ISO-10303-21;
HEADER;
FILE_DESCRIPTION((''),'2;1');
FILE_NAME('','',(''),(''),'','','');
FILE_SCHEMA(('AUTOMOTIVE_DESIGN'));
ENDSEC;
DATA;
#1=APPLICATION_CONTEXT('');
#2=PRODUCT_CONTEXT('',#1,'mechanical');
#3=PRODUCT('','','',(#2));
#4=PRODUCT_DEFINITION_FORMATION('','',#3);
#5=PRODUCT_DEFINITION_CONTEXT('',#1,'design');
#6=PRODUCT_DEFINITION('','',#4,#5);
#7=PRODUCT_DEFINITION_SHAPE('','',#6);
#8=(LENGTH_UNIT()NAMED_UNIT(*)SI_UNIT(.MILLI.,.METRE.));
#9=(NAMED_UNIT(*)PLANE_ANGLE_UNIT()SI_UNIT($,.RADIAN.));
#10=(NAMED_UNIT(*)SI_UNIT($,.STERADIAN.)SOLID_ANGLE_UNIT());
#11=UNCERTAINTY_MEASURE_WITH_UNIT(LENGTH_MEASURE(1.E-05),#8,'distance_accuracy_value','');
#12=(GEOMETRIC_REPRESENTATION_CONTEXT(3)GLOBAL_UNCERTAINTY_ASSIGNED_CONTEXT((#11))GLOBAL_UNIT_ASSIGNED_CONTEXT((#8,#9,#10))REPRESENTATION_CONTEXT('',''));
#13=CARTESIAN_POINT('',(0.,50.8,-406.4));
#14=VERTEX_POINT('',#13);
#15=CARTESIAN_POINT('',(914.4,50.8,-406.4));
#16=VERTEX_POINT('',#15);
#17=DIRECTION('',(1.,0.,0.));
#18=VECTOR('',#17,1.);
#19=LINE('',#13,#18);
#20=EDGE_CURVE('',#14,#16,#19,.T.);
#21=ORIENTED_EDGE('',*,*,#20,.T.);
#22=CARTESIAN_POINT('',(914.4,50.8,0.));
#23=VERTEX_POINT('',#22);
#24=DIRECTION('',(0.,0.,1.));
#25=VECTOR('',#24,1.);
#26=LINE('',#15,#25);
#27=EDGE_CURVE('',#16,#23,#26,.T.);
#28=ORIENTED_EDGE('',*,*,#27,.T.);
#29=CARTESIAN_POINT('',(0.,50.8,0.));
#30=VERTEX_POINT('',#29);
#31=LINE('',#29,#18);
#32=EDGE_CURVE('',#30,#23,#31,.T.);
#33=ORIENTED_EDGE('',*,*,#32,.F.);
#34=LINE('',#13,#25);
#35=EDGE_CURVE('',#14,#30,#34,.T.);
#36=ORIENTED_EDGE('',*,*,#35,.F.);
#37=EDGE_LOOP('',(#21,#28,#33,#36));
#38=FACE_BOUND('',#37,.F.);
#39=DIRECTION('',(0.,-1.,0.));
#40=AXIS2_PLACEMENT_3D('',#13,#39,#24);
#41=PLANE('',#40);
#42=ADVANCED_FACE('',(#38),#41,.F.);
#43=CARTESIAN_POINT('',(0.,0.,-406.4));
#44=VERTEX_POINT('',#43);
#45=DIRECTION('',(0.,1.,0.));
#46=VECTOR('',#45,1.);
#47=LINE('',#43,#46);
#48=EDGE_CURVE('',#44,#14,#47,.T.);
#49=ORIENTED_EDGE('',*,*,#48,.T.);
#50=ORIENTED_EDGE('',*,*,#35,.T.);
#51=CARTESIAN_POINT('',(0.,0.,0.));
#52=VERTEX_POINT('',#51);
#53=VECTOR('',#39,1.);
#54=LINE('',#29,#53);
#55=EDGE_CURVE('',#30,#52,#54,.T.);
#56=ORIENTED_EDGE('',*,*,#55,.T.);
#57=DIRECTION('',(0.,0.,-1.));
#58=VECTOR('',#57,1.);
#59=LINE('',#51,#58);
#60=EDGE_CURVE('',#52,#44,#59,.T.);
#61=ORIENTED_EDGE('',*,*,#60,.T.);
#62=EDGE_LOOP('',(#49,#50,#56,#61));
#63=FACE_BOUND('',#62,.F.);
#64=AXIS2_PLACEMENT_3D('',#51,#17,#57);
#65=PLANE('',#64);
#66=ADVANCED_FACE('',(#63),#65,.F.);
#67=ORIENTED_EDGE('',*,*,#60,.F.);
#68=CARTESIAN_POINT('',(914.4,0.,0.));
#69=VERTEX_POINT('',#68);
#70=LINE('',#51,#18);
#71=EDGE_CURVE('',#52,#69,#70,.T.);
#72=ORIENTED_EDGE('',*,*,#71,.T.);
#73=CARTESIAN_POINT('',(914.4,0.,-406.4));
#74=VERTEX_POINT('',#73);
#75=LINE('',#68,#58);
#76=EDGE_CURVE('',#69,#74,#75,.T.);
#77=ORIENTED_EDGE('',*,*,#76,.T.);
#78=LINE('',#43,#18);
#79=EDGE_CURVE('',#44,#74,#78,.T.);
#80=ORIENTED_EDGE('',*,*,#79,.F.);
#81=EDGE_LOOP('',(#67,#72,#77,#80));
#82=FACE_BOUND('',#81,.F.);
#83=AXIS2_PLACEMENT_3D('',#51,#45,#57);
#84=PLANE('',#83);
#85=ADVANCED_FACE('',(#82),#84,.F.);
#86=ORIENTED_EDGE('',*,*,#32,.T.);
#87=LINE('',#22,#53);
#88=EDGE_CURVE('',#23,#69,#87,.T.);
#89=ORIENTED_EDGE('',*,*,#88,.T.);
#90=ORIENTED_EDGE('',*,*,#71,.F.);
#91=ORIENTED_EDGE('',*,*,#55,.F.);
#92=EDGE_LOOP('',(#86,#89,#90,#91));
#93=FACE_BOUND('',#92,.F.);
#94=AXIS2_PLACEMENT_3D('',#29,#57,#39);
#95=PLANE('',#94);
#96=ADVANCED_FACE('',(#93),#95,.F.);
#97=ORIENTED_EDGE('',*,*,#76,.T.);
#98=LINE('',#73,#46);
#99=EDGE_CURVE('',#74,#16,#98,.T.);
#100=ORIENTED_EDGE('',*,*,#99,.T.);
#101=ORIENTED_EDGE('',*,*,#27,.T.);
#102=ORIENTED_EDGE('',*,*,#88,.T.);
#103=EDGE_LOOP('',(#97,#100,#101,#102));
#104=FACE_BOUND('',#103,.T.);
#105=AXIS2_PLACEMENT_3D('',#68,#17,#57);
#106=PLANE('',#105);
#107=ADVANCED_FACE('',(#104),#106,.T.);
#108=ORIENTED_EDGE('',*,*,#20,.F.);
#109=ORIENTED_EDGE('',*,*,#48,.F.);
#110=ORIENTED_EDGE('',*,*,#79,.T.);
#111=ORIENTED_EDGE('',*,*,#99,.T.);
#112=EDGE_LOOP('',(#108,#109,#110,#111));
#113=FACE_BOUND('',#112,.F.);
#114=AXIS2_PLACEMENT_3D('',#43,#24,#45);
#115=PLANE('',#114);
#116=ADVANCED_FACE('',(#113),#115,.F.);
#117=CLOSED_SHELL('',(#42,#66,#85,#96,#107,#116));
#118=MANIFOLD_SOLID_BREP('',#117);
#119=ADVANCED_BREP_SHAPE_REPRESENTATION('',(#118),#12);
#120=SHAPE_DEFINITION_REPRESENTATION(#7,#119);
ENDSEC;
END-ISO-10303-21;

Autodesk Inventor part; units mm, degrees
ref_plane "YZ Plane" through (0, 0, 0) normal (1, 0, 0) x (0, 1, 0)
ref_plane "XZ Plane" through (0, 0, 0) normal (0, 1, 0) x (-1, 0, 0)
ref_plane "XY Plane" through (0, 0, 0) normal (0, 0, 1) x (1, 0, 0)
sketch "Sketch1" plane through (0, 0, 0) normal (1, 0, 0) x (0, 0, -1)
  line L0 (0, 0) -> (406.4, 0)
  line L1 (406.4, 0) -> (406.4, 50.8)
  line L2 (406.4, 50.8) -> (0, 50.8)
  line L3 (0, 50.8) -> (0, 0)
  dimension "d0" = 406.4
  dimension "d1" = 50.8
extrude "Extrusion1" add sketch "Sketch1" along normal blind 914.4
properties part number "2x16x36-3" material "Granite, Cut, Polished"
